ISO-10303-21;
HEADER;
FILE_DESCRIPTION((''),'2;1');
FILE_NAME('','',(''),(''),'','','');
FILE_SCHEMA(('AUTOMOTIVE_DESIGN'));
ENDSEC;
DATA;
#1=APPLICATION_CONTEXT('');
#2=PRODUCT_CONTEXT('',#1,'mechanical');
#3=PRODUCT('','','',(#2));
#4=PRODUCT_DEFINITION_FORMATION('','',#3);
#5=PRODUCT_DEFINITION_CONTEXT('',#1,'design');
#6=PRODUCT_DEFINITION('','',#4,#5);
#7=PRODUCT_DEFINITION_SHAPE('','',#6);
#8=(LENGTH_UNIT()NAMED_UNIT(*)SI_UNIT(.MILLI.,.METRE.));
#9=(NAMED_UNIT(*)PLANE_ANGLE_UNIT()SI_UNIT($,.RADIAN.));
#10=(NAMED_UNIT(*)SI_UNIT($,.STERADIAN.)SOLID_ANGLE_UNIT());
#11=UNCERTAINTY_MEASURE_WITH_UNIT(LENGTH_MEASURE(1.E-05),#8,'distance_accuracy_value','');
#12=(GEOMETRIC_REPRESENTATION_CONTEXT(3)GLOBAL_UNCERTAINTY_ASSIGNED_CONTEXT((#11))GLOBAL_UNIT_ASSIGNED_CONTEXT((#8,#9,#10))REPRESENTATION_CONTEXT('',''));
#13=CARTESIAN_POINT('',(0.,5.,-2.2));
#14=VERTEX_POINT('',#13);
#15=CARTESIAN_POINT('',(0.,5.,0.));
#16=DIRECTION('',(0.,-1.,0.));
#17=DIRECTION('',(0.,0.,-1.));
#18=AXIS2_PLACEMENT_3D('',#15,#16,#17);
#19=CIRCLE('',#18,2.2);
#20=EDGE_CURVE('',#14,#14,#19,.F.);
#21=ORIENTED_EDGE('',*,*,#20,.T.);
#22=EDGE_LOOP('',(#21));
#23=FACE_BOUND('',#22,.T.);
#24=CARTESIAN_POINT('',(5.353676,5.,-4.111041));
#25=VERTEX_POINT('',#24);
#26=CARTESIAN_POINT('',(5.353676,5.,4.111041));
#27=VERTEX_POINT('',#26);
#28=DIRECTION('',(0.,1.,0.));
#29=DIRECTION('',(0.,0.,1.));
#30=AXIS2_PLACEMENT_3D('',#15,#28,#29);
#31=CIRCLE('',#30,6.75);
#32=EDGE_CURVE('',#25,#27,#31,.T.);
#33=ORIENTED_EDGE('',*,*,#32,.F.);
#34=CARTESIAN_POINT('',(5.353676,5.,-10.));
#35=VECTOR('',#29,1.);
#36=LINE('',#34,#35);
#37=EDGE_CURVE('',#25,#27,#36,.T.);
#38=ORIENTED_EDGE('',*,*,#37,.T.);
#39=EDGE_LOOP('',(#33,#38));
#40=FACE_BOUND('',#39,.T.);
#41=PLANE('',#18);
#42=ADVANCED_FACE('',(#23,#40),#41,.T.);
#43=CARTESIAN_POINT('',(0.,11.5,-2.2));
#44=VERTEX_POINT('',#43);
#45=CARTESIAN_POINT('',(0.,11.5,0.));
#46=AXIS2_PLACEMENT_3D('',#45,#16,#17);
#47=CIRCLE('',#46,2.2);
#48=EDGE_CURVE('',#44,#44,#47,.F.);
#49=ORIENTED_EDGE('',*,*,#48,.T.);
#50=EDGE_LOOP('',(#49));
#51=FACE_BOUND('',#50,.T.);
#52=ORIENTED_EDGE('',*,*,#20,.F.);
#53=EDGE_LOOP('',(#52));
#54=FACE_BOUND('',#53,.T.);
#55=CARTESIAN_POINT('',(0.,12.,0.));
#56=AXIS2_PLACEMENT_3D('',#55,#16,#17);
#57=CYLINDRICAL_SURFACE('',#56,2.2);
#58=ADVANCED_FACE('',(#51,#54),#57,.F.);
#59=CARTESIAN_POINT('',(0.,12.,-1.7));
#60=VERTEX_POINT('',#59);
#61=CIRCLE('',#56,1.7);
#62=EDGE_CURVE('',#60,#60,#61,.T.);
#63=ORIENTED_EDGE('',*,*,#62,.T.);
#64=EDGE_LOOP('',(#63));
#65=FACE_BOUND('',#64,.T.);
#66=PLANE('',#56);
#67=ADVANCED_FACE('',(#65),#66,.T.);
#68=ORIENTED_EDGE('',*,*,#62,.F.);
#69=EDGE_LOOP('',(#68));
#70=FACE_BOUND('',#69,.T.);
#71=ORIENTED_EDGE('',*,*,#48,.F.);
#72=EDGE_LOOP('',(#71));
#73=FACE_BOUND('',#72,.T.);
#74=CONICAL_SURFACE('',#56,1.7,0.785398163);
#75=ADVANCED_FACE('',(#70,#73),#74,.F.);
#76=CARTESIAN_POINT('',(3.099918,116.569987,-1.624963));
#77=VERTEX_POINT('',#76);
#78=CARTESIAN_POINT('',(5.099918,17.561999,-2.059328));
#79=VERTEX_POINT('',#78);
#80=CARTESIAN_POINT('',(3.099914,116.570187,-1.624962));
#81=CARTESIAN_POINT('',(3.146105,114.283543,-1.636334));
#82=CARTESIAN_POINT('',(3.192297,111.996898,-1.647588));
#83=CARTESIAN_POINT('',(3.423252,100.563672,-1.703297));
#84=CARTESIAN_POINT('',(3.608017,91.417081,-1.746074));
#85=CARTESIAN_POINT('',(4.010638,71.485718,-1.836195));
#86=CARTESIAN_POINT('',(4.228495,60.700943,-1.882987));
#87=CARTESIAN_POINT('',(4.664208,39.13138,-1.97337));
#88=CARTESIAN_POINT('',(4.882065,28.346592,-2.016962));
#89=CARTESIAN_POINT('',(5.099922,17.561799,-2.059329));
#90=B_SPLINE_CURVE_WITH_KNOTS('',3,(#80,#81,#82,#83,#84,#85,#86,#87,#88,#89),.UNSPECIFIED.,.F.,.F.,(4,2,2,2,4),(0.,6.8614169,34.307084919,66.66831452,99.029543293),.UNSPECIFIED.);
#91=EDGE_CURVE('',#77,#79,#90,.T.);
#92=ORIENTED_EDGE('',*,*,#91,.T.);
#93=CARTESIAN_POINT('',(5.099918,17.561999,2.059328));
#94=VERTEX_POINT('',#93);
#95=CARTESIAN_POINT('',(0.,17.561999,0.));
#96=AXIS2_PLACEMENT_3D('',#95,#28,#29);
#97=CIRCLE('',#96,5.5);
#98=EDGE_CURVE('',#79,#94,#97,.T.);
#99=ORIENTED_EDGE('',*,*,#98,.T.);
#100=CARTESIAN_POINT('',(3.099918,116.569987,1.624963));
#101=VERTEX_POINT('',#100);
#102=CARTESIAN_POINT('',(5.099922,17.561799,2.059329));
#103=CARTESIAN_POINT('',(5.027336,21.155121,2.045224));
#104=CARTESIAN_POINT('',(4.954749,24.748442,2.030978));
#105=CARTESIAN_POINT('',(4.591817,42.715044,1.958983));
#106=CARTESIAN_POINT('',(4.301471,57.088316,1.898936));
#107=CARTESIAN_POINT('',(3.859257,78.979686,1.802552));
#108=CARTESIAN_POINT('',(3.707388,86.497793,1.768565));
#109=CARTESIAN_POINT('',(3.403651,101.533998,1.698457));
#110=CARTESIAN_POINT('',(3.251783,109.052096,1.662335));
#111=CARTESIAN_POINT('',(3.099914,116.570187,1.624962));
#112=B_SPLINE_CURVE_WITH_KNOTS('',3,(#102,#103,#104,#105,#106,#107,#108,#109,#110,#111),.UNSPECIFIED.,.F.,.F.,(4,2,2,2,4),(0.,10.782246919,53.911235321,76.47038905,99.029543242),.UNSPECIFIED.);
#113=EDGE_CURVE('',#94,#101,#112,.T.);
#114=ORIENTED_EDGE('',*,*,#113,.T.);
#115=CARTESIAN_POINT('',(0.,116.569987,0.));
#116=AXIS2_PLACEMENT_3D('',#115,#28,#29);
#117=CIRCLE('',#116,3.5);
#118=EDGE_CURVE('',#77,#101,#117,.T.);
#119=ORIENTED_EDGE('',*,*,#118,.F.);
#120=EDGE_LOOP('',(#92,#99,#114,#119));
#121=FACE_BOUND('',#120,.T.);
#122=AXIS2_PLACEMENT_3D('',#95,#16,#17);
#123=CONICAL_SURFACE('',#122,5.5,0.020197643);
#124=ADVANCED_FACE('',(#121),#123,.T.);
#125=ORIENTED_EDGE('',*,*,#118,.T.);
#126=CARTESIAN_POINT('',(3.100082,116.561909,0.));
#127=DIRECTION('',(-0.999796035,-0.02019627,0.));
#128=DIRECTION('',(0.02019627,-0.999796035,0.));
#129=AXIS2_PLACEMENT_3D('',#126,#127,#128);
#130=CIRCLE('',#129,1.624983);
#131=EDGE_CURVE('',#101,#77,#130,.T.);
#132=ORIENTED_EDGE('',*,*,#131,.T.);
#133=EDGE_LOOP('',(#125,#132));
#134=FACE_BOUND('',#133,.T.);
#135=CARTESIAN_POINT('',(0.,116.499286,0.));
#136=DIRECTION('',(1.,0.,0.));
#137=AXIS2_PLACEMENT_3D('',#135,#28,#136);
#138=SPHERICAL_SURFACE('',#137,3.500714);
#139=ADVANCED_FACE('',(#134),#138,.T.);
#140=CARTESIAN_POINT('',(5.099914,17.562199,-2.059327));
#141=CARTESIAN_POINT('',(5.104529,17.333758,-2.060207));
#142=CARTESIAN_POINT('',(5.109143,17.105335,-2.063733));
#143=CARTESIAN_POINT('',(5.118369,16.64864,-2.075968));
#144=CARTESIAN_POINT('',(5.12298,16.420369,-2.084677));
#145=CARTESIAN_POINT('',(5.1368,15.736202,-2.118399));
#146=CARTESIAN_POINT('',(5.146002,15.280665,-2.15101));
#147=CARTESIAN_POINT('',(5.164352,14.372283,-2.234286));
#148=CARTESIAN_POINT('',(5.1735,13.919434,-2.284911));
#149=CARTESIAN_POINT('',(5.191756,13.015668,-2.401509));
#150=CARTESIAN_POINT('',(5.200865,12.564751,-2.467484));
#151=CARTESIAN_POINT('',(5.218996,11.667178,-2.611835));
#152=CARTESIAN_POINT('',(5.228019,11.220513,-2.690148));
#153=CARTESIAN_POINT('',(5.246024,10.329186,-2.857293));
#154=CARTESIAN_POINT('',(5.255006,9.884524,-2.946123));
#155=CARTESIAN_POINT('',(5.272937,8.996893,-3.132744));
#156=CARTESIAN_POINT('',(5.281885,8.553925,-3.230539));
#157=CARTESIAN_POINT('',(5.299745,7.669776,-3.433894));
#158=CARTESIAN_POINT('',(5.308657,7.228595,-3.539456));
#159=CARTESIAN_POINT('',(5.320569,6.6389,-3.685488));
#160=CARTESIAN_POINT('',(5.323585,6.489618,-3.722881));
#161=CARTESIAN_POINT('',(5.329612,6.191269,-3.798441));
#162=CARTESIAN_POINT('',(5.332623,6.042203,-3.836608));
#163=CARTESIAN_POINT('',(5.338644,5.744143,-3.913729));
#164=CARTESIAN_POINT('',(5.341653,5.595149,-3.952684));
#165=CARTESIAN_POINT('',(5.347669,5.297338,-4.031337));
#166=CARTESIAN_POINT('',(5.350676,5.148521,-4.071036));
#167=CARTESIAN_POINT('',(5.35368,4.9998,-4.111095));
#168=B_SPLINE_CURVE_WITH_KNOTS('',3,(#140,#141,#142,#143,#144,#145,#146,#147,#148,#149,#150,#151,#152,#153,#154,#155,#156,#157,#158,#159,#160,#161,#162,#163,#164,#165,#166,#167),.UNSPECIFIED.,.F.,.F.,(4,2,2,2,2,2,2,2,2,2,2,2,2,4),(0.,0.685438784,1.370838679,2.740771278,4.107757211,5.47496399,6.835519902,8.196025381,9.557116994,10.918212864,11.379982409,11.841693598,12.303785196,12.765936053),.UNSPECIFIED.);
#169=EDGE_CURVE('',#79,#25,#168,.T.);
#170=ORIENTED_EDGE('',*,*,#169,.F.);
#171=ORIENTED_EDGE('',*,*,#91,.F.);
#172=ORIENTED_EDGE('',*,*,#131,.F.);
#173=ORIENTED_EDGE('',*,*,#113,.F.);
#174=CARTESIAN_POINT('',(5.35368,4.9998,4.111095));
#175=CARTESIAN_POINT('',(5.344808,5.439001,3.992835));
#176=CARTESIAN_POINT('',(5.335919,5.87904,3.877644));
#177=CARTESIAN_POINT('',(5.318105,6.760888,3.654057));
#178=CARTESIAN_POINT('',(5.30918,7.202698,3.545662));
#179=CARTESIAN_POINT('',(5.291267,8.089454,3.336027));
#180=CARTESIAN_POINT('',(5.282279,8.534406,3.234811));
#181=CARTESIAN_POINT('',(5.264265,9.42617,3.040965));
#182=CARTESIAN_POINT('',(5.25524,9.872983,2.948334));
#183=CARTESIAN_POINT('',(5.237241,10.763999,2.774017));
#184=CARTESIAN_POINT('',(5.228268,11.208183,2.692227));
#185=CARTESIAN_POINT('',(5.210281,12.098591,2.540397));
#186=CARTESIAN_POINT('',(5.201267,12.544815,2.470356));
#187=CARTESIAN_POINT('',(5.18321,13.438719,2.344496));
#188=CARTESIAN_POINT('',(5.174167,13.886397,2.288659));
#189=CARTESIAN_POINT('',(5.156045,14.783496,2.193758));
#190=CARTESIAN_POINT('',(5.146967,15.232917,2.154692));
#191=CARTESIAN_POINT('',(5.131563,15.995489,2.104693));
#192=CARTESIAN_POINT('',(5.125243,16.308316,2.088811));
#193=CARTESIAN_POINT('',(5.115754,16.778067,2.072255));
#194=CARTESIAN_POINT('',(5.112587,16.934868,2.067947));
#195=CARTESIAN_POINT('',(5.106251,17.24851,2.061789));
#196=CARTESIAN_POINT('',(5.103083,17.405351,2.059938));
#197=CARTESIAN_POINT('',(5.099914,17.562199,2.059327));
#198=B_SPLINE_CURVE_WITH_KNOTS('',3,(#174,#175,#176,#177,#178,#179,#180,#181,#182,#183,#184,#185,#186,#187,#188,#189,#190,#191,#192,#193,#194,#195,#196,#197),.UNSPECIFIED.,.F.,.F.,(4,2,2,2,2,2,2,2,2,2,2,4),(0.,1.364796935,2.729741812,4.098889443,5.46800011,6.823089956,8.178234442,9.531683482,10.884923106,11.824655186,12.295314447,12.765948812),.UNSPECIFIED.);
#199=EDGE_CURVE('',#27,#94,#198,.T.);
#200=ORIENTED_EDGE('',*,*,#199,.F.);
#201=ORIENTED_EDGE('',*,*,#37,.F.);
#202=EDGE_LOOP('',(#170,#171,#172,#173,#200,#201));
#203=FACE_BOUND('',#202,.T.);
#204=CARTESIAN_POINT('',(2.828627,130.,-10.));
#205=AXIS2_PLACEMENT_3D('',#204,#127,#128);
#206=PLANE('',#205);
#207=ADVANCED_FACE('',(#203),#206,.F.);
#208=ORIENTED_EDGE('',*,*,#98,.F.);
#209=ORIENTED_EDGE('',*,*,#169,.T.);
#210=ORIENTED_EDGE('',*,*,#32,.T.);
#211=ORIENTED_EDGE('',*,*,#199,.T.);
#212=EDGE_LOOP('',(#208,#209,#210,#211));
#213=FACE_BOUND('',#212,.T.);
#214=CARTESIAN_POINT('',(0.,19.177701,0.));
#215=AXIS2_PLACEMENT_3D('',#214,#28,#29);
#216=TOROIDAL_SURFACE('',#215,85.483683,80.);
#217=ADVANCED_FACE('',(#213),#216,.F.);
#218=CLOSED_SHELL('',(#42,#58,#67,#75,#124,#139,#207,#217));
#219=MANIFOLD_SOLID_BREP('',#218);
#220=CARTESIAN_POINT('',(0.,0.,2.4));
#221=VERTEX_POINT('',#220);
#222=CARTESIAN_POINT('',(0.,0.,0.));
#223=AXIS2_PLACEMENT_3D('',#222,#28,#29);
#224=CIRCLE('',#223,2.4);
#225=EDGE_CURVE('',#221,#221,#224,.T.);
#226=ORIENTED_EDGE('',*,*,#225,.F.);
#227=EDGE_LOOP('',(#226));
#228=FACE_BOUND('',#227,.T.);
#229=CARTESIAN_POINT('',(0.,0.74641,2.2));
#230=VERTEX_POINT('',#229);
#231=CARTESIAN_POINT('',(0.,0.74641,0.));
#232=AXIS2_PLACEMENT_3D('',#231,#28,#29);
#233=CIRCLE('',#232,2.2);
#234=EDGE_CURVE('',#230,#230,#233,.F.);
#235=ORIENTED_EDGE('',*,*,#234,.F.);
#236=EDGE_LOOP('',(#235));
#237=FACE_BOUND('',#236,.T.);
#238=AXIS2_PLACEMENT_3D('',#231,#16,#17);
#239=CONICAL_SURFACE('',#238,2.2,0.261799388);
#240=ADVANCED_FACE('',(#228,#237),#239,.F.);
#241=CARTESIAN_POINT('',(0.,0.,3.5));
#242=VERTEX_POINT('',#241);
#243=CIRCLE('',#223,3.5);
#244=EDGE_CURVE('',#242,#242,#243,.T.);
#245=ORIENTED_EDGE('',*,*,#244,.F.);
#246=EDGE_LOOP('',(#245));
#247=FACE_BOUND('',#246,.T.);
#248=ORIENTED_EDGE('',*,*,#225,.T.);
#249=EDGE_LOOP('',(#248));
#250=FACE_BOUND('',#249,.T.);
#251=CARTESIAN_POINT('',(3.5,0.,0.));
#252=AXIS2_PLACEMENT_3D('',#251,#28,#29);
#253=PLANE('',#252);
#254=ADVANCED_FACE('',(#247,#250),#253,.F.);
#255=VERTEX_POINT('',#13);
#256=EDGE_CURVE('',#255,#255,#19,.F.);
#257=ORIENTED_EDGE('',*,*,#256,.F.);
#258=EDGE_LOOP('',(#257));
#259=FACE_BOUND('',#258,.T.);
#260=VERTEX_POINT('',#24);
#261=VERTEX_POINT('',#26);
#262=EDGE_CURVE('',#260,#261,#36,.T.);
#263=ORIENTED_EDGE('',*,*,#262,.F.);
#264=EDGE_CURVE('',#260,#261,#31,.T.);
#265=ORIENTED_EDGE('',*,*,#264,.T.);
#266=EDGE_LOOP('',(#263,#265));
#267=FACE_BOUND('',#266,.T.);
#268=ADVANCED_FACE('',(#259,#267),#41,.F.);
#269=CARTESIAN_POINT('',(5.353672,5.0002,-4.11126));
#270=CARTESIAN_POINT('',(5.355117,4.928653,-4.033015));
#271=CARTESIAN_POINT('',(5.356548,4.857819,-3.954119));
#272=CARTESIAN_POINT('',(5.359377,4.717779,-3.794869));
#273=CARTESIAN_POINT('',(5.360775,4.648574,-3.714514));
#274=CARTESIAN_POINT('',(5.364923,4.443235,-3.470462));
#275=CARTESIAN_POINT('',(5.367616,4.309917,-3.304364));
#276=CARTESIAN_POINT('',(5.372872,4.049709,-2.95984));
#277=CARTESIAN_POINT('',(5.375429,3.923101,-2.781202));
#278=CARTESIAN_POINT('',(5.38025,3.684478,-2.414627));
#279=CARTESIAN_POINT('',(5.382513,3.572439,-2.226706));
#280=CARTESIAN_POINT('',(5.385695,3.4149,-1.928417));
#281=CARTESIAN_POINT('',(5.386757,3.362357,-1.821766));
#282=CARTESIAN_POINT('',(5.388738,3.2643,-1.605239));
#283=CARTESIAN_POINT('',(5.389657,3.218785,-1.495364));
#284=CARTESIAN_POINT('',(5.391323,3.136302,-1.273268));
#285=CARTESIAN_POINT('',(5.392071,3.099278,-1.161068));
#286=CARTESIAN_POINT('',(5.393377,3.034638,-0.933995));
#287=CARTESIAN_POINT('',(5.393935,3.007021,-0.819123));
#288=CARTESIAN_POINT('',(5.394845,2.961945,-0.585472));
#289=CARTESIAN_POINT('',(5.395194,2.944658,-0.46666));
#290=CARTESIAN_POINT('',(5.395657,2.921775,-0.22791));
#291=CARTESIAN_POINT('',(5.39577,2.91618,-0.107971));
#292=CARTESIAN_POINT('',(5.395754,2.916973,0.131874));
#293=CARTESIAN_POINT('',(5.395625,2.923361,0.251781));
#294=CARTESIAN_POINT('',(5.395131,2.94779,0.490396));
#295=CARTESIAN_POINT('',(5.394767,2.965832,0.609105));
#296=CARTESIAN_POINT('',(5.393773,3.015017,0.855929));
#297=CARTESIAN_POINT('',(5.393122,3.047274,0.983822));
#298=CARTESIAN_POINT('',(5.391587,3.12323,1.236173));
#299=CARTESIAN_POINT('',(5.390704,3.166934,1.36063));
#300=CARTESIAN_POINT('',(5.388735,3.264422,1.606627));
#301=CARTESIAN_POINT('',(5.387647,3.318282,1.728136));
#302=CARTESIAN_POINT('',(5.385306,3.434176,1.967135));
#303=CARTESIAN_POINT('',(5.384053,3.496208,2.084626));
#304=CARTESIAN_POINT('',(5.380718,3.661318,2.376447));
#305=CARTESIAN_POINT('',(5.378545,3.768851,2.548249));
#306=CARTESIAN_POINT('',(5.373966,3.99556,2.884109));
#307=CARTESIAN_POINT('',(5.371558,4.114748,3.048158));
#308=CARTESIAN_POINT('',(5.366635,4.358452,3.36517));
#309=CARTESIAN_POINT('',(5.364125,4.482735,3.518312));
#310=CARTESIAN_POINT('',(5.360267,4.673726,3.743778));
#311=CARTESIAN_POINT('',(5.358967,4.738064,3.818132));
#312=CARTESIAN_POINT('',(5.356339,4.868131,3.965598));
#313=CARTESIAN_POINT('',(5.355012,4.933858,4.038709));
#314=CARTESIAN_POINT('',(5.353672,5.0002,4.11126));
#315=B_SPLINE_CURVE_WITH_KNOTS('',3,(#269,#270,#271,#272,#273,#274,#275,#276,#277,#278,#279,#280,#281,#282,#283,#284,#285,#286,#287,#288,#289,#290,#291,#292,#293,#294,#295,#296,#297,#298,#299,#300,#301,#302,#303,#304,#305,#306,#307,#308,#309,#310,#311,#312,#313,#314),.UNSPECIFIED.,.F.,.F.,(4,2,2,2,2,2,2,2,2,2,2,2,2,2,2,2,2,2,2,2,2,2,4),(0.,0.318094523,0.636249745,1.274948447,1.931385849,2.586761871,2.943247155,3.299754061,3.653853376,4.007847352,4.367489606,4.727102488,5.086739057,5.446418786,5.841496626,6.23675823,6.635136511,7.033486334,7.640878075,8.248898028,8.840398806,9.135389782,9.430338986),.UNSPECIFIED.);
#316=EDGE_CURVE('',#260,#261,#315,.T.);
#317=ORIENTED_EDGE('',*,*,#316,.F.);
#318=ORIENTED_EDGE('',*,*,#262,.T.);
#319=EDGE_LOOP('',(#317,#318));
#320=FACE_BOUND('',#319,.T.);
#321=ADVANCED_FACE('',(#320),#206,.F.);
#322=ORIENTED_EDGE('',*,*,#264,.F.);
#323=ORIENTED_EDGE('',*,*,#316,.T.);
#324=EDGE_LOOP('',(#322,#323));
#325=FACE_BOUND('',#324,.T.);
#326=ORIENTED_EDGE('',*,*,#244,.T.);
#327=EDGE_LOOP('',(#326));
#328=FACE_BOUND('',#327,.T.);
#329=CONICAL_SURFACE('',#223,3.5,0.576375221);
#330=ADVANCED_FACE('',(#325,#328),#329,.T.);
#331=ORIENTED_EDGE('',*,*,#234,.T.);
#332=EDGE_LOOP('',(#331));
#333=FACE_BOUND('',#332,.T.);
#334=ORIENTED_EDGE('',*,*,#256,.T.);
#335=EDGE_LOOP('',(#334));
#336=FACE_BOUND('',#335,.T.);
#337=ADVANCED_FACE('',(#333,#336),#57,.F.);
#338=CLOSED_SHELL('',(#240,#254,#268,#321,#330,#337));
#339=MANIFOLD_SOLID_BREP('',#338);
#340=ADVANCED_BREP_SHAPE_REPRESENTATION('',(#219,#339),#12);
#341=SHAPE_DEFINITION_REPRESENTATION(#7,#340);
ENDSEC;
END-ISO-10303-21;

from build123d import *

# Parameters (mm, degrees)
SKETCH2_R          = 2.2
CUT_EXTRUDE1_DEPTH = 12
CUT_EXTRUDE2_DEPTH = 10
CHAMFER1_SIZE      = 0.2
CHAMFER1_SIZE2     = 0.746410162
CHAMFER2_SIZE      = 0.5


with BuildPart() as part:
    # Sketch1 → Revolve1 (revolve)
    with BuildSketch(Plane.XY, mode=Mode.PRIVATE) as revolve1_sk:
        with BuildLine():
            Line((0, 0), (0, 120))
            ThreePointArc((0, 120), (2.450254417, 118.999536357), (3.5, 116.569987341))
            Line((3.5, 116.569987341), (5.5, 17.561999145))
            ThreePointArc((5.5, 17.561999145), (5.876826993, 11.256304757), (6.75, 5))
            Line((6.75, 5), (3.5, 0))
            Line((3.5, 0), (0, 0))
        make_face()
    revolve(revolve1_sk.sketch.rotate(Axis((0, 0, 0), (0, -1, 0)), 90), axis=Axis((0, 0, 0), (0, -1, 0)))

    # Sketch2 → Cut-Extrude1 (cut)
    with BuildSketch(Plane.XZ):
        with Locations(Location((0, 0, 0), (0, 0, 270))):
            Circle(SKETCH2_R)
    extrude(amount=-CUT_EXTRUDE1_DEPTH, mode=Mode.SUBTRACT)

    # Sketch3 → Cut-Extrude2 (cut, symmetric)
    with BuildSketch(Plane.XY):
        Polygon((2.8286269, 130), (5.858685439, -20), (20, -20), (20, 130), align=None)
    extrude(amount=CUT_EXTRUDE2_DEPTH, both=True, mode=Mode.SUBTRACT)

    # Chamfer1
    chamfer1_edges = [part.edges().sort_by_distance(p)[0] for p in [
        (0, 0, 2.2),
    ]]
    chamfer1_side = [part.faces().sort_by_distance(p)[0] for p in [
        (0, 0, -3.401005051),
    ]]
    chamfer(chamfer1_edges, length=CHAMFER1_SIZE, length2=CHAMFER1_SIZE2, reference=chamfer1_side[0])


with BuildPart() as body_2:
    # Split1: the piece on the far side of the plane
    add(part.part)
    split(bisect_by=Plane(origin=(0, 5, 0), x_dir=(0, 0, -1), z_dir=(0, -1, 0)), keep=Keep.BOTTOM)

    # Chamfer2
    chamfer2_edges = [body_2.edges().sort_by_distance(p)[0] for p in [
        (0, 12, 2.2),
    ]]
    chamfer(chamfer2_edges, length=CHAMFER2_SIZE)


with BuildPart() as part_1:
    add(part.part)

    # Split1
    split(bisect_by=Plane(origin=(0, 5, 0), x_dir=(0, 0, -1), z_dir=(0, -1, 0)), keep=Keep.TOP)


solid = Compound([body_2.part, part_1.part])
